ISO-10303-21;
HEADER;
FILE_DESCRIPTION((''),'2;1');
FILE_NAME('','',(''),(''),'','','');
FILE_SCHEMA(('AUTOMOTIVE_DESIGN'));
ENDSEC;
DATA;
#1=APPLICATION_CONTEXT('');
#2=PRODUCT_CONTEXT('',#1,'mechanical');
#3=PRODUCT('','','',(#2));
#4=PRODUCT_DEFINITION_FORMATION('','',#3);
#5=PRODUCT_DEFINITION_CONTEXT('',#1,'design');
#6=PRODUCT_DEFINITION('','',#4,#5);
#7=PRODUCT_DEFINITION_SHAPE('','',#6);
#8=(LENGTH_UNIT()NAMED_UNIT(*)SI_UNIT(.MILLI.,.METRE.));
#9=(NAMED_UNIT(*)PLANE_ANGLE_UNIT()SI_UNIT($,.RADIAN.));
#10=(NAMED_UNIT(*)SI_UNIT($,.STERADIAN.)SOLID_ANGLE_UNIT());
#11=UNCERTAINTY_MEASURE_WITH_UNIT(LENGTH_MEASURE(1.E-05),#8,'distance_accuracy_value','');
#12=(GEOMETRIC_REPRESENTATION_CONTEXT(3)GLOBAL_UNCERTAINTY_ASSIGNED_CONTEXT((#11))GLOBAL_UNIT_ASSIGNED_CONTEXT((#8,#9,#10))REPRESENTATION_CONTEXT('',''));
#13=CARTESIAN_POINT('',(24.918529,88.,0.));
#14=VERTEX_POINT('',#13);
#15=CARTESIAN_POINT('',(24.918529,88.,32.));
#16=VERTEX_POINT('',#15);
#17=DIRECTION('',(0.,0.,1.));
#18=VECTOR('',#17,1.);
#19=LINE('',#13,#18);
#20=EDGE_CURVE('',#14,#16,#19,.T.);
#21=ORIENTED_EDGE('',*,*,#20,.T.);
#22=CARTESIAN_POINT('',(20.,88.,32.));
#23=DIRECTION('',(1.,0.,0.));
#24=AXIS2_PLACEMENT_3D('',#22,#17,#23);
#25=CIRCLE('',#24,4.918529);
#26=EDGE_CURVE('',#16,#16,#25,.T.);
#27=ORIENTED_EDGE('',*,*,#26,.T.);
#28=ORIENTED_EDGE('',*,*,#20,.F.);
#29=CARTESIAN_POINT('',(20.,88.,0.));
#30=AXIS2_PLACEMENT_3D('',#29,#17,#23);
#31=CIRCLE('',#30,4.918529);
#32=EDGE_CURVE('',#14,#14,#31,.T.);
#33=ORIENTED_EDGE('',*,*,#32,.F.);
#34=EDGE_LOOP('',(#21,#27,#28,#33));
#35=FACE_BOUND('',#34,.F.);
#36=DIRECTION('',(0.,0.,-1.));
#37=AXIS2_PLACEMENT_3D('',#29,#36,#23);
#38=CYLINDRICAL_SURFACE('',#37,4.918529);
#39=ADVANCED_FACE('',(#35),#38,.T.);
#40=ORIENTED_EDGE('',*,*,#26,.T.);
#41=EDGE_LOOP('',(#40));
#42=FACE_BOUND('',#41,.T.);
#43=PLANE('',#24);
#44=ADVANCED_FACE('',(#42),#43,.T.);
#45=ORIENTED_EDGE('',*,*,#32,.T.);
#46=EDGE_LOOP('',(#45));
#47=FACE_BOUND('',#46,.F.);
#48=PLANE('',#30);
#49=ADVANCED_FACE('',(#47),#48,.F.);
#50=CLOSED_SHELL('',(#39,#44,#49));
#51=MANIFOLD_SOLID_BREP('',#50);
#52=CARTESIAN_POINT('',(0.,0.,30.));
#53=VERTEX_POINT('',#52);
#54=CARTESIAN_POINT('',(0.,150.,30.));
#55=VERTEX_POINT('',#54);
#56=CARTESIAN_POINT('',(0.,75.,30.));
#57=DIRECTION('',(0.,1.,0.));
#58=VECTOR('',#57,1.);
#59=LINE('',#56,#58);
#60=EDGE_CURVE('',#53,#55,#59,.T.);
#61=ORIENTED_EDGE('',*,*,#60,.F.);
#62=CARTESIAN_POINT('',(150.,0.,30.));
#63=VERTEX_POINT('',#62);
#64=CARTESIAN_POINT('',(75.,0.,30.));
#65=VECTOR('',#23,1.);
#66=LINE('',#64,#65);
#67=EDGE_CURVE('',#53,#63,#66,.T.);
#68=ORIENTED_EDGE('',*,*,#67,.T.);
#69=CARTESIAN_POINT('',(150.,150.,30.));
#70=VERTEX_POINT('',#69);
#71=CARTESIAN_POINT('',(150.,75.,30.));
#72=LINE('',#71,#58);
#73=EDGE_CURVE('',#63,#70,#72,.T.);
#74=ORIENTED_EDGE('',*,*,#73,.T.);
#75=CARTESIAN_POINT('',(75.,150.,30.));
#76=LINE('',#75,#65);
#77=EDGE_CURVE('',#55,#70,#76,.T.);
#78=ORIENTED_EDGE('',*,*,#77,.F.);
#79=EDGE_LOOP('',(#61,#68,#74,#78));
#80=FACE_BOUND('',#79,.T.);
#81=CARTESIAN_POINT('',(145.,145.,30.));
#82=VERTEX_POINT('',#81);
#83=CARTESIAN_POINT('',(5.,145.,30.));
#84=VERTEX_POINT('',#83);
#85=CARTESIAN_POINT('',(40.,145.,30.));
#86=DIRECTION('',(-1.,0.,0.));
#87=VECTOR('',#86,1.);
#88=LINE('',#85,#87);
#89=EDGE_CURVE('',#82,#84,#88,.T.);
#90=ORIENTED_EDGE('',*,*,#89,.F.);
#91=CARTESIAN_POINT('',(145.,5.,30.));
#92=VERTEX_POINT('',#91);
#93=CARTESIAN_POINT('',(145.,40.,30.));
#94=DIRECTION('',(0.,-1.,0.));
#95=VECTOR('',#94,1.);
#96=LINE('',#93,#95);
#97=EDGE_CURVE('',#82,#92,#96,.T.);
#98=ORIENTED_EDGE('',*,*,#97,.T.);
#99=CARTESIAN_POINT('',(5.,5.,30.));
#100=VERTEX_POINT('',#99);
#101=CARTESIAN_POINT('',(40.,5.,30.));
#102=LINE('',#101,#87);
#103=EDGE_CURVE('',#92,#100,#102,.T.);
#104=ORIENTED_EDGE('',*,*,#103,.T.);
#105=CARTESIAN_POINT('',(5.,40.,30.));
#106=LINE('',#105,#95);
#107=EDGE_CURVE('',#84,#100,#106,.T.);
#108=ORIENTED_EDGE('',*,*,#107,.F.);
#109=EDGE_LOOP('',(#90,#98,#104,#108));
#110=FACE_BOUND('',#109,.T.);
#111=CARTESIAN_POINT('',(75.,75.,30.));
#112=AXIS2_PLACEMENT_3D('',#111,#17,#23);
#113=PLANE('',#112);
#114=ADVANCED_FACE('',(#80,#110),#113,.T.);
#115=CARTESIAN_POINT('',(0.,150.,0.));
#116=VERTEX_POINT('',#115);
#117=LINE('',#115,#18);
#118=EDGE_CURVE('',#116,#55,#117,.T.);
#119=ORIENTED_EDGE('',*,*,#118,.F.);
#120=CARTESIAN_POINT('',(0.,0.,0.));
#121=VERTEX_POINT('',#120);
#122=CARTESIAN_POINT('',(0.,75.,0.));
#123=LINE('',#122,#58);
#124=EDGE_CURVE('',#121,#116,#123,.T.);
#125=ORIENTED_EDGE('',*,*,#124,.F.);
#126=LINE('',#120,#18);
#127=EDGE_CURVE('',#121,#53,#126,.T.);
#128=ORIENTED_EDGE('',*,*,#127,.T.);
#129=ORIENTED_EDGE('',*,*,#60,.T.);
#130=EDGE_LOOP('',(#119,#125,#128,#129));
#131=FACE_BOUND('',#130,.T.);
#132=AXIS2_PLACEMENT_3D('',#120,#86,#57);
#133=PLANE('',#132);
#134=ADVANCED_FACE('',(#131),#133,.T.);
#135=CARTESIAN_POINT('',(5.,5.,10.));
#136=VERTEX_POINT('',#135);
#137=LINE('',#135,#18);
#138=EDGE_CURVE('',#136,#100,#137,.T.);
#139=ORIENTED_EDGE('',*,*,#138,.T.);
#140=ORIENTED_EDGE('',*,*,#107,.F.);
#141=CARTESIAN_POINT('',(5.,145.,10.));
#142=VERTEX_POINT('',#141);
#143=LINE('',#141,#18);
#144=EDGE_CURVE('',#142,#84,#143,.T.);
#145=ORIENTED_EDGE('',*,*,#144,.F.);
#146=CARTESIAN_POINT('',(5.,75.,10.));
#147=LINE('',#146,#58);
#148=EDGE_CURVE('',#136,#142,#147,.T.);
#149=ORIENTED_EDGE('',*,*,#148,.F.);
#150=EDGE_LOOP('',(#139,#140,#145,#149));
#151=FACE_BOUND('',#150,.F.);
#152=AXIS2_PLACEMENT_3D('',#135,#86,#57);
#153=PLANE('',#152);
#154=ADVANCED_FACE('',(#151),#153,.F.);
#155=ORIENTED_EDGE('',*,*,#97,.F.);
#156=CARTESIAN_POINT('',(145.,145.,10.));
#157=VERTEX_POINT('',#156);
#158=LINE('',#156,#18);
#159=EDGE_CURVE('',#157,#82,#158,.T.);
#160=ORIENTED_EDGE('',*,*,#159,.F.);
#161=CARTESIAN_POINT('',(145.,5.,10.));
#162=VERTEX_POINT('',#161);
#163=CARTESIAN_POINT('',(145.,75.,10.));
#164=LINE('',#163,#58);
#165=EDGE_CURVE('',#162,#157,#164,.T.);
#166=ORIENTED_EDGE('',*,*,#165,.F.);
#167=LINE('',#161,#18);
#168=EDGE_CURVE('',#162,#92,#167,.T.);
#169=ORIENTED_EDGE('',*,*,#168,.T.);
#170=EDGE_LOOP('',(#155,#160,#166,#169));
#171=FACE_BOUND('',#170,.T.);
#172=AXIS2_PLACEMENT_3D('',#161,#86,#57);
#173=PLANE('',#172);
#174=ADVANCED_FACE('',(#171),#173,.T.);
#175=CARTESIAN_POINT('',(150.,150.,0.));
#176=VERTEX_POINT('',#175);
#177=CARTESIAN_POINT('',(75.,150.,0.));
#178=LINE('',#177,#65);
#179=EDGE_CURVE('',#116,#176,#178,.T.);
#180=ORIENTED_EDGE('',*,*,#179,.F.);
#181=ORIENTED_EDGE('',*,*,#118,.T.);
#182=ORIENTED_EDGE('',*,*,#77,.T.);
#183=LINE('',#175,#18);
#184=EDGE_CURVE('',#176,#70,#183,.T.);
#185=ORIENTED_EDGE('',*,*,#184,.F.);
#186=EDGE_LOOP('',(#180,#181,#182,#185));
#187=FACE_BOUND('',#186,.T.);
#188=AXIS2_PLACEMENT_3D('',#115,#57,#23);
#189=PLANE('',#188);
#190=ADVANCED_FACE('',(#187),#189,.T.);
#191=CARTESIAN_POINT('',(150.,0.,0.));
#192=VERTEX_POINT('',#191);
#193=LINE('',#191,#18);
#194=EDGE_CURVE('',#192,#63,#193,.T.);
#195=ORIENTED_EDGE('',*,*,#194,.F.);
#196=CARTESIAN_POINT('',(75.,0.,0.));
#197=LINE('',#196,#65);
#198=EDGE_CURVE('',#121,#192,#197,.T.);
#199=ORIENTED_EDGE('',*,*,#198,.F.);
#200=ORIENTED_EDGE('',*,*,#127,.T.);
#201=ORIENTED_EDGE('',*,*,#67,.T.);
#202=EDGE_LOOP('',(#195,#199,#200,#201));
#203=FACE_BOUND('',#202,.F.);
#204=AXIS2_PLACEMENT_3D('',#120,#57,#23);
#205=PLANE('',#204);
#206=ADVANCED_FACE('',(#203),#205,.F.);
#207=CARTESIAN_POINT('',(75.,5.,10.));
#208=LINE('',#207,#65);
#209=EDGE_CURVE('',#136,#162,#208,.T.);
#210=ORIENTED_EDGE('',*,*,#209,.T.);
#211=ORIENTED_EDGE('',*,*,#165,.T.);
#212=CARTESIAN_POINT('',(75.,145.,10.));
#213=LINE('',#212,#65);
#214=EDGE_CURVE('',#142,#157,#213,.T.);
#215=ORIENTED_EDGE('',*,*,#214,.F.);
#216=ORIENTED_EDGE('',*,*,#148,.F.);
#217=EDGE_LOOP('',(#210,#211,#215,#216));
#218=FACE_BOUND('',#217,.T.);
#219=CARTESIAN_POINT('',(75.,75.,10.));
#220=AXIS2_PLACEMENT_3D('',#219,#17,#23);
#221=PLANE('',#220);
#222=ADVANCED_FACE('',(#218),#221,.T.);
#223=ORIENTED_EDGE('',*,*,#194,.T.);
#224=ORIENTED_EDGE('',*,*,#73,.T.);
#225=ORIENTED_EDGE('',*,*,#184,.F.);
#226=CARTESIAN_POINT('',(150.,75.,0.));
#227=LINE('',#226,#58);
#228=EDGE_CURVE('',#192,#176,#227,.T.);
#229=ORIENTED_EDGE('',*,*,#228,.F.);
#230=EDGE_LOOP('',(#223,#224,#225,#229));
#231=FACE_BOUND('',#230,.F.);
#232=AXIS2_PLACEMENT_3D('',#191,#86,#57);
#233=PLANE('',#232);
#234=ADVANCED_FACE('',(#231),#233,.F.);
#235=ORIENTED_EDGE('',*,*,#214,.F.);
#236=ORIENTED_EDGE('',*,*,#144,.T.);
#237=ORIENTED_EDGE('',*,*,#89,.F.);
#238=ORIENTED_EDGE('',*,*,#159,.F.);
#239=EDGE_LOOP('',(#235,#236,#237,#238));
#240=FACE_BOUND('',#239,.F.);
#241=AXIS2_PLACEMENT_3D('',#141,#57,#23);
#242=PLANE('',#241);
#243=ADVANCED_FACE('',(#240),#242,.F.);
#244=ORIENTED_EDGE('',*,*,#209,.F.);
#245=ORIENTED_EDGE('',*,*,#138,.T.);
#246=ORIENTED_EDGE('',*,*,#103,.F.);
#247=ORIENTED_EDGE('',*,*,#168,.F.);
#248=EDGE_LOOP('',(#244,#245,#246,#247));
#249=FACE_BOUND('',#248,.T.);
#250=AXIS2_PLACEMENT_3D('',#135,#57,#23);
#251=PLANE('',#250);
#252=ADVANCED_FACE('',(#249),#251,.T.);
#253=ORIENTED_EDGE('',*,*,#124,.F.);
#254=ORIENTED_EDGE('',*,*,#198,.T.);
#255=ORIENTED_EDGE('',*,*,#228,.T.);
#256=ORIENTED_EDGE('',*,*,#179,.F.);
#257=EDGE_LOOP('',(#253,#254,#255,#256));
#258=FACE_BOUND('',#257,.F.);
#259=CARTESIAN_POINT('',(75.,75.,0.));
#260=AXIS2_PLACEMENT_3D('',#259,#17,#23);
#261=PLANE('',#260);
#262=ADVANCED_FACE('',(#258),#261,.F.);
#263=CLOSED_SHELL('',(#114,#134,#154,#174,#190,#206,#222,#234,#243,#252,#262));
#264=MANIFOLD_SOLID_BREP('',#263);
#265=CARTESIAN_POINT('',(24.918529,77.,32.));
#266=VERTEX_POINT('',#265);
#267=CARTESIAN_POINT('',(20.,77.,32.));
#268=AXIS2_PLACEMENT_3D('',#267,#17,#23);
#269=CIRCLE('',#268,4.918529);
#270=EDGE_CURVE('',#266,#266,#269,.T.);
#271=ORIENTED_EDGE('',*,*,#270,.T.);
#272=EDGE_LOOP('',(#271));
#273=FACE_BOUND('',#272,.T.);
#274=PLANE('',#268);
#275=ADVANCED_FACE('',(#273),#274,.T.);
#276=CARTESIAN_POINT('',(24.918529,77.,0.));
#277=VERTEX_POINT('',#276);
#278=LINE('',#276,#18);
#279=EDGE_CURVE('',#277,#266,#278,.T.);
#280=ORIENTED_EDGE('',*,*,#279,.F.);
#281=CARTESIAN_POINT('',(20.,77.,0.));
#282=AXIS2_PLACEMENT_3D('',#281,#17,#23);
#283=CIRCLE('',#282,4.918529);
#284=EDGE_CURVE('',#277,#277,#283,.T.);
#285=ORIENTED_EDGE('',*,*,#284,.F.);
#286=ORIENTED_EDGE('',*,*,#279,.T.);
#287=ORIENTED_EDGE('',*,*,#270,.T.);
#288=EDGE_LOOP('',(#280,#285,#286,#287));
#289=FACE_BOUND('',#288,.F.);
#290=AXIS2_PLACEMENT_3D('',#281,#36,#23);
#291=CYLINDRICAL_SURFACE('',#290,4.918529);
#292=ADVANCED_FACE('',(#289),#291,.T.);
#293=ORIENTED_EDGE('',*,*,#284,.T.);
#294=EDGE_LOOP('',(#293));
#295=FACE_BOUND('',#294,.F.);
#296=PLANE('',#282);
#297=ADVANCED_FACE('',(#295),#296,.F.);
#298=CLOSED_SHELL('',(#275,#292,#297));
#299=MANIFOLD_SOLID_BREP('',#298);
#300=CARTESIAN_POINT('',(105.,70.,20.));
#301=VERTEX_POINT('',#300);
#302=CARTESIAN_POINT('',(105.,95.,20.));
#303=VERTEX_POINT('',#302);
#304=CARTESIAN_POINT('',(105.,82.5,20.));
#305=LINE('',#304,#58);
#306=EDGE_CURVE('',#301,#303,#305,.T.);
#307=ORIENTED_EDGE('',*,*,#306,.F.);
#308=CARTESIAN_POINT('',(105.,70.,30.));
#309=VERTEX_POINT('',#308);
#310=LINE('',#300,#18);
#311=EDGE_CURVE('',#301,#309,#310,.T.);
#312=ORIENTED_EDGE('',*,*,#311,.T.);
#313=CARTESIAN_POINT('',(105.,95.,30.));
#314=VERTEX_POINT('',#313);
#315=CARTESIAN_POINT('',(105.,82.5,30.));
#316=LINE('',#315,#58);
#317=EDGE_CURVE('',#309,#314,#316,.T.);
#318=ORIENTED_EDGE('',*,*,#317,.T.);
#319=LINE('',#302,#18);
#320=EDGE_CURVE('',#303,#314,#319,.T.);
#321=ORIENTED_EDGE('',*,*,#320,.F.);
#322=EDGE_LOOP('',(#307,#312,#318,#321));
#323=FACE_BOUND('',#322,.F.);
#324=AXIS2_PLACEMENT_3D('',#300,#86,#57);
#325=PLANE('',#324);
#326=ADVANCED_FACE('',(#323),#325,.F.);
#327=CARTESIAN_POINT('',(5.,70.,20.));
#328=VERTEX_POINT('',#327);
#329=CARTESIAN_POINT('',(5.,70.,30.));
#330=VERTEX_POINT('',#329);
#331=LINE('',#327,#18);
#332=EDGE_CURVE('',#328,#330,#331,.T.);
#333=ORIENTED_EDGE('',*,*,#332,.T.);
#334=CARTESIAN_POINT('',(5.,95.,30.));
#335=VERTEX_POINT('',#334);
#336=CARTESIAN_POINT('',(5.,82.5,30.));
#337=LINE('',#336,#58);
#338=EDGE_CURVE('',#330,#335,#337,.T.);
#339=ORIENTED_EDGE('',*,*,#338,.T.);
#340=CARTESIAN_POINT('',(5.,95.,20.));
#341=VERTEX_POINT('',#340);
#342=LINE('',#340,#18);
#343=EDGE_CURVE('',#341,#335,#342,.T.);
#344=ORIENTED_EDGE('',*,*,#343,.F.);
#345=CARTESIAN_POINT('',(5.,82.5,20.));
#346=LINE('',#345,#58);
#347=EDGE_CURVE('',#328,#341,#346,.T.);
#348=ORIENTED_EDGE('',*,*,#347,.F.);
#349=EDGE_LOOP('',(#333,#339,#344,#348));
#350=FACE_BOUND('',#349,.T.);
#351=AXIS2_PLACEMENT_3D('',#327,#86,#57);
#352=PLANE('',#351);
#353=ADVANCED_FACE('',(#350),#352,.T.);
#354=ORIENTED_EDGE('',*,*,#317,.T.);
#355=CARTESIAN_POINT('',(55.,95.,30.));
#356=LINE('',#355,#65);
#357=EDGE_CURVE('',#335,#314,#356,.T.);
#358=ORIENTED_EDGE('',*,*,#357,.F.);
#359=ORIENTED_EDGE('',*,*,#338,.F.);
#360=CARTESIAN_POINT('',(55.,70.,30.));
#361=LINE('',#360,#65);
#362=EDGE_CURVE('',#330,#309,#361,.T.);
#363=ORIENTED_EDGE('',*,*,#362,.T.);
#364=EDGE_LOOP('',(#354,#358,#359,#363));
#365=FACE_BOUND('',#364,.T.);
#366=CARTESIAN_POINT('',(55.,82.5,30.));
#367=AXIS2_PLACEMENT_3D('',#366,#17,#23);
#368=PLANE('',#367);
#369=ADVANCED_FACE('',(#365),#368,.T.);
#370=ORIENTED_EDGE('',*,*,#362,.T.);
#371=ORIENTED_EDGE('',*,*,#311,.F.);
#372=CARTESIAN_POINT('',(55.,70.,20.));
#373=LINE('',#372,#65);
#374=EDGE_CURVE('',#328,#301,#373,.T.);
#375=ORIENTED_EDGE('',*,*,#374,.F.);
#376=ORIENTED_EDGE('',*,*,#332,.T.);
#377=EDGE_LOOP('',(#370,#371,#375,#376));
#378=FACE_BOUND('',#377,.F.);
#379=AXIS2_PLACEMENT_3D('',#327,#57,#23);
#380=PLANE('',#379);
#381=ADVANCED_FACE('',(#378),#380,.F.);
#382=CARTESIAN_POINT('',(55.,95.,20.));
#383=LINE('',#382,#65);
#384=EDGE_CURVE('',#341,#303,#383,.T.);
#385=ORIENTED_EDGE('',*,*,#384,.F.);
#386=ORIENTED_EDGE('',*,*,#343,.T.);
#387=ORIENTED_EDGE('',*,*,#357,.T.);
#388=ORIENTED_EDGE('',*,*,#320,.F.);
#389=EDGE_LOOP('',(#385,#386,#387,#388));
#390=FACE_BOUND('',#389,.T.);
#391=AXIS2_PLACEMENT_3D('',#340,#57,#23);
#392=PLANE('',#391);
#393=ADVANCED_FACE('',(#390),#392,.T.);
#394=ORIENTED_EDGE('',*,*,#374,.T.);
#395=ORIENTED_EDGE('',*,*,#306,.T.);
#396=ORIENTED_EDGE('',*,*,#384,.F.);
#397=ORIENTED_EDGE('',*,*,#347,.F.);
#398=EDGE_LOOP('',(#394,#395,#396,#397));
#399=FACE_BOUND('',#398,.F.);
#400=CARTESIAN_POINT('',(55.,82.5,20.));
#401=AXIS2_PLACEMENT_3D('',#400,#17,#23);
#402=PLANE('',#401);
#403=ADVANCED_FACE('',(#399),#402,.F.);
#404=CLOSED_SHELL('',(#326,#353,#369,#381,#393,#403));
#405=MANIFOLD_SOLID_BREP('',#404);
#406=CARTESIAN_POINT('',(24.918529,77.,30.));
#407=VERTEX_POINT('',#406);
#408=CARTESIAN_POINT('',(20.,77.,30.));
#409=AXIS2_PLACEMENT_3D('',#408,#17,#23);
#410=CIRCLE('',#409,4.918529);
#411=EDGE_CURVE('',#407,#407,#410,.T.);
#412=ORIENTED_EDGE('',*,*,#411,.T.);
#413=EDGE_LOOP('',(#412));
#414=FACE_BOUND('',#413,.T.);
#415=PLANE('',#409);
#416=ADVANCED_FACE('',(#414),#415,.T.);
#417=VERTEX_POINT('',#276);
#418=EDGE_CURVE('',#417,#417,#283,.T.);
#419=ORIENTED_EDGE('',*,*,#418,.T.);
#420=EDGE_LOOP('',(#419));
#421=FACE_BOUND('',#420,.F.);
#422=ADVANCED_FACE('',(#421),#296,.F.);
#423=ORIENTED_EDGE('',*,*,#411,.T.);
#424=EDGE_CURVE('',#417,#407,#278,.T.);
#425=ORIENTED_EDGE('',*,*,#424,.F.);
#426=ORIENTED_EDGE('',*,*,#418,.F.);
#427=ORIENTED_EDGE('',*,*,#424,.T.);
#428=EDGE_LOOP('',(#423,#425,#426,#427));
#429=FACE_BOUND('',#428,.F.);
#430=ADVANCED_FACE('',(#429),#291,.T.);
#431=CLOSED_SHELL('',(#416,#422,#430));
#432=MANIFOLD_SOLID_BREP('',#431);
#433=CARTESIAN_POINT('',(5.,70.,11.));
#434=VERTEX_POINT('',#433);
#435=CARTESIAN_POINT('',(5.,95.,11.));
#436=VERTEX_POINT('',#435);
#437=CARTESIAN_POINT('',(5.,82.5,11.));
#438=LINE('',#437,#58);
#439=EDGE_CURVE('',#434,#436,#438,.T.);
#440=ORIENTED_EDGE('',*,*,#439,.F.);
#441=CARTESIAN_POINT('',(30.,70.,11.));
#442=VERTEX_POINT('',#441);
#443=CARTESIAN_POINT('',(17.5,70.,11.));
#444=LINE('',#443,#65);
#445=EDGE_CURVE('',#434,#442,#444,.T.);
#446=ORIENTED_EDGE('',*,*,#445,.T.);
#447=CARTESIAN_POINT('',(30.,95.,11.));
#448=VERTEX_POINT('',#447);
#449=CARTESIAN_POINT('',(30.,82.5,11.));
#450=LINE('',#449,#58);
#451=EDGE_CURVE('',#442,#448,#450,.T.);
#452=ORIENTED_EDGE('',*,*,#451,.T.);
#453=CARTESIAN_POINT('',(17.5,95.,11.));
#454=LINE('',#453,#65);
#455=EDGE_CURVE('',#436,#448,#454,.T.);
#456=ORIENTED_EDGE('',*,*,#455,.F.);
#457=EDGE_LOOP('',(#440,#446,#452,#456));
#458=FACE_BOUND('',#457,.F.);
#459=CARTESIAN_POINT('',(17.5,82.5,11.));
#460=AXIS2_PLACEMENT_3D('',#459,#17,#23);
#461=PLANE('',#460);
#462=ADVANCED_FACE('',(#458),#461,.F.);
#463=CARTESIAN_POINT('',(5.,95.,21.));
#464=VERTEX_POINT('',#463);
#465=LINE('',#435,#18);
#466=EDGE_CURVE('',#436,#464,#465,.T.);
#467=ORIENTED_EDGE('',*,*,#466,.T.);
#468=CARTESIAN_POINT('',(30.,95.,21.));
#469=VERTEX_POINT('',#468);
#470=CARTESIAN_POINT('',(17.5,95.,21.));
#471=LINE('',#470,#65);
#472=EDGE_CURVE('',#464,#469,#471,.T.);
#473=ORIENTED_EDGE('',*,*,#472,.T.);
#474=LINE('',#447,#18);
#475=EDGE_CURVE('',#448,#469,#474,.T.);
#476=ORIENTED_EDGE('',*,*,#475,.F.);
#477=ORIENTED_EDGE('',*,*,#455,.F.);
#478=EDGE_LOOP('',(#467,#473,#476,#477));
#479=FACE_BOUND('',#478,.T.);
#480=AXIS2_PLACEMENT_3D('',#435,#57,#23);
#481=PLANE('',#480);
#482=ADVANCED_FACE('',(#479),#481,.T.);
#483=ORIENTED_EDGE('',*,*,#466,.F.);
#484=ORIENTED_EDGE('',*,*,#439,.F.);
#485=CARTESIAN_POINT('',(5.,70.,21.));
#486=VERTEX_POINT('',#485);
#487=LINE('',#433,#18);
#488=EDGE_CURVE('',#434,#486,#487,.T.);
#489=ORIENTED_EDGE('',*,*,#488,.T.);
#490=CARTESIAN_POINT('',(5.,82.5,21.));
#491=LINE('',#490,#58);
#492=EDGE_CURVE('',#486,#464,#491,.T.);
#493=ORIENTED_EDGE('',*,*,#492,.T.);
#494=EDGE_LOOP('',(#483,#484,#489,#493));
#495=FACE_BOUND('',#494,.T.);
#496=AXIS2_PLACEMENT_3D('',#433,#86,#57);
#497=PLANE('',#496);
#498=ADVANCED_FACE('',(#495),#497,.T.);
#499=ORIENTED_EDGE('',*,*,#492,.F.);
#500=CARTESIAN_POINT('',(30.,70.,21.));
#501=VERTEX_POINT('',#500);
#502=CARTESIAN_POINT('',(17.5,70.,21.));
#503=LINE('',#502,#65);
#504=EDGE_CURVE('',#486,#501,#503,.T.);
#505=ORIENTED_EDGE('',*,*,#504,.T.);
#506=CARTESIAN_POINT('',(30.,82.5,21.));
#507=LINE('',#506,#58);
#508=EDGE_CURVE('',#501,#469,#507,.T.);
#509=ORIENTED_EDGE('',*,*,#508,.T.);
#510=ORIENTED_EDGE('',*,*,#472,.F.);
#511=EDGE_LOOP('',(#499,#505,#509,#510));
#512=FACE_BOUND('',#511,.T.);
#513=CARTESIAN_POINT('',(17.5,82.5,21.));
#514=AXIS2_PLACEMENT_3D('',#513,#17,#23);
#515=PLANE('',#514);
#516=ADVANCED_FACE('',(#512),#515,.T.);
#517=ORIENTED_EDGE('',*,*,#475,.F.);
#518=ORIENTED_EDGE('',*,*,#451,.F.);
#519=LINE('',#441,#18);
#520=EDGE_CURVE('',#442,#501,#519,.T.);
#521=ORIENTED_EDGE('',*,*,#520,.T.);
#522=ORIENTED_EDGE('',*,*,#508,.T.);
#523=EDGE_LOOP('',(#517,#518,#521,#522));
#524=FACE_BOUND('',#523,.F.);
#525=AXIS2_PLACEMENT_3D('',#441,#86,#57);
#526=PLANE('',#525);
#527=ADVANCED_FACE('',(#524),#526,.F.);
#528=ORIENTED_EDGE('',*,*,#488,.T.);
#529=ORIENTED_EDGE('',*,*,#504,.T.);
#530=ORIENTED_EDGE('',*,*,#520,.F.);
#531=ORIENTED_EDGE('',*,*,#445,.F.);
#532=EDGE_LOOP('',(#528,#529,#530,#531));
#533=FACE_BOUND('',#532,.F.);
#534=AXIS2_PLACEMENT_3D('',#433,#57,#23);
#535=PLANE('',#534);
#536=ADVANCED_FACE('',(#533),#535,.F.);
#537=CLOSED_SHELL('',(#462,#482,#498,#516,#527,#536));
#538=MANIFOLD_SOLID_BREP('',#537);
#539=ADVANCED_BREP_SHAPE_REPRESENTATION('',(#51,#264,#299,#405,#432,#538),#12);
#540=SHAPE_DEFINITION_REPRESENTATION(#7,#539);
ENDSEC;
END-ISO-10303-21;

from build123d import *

# Parameters (mm, degrees)
RECTANGLE001_W   = 140
RECTANGLE001_H   = 140
EXTRUDE001_DEPTH = 50
RECTANGLE_W      = 150
RECTANGLE_H      = 150
EXTRUDE_DEPTH    = 30
RECTANGLE002_W   = 100
RECTANGLE002_H   = 25
EXTRUDE002_DEPTH = 10
RECTANGLE003_W   = 25
RECTANGLE003_H   = 25
EXTRUDE003_DEPTH = 10
CIRCLE_R         = 4.918529
EXTRUDE004_DEPTH = 30
EXTRUDE005_DEPTH = 32
CIRCLE001_R      = 4.918529
EXTRUDE006_DEPTH = 32


with BuildPart() as extrude001:
    # Rectangle001 → Extrude001 (new body)
    with BuildSketch(Plane(origin=(5, 5, 10), x_dir=(1, 0, 0), z_dir=(0, 0, 1))):
        with Locations((70, 70)):
            Rectangle(RECTANGLE001_W, RECTANGLE001_H)
    extrude(amount=EXTRUDE001_DEPTH)


with BuildPart() as cut:
    # Rectangle → Extrude (new body)
    with BuildSketch(Plane.XY):
        with Locations((75, 75)):
            Rectangle(RECTANGLE_W, RECTANGLE_H)
    extrude(amount=EXTRUDE_DEPTH)

    # Cut: cut Extrude001
    add(extrude001.part, mode=Mode.SUBTRACT)


with BuildPart() as extrude002:
    # Rectangle002 → Extrude002 (new body)
    with BuildSketch(Plane(origin=(5, 70, 20), x_dir=(1, 0, 0), z_dir=(0, 0, 1))):
        with Locations((50, 12.5)):
            Rectangle(RECTANGLE002_W, RECTANGLE002_H)
    extrude(amount=EXTRUDE002_DEPTH)


with BuildPart() as extrude003:
    # Rectangle003 → Extrude003 (new body)
    with BuildSketch(Plane(origin=(5, 70, 11), x_dir=(1, 0, 0), z_dir=(0, 0, 1))):
        with Locations((12.5, 12.5)):
            Rectangle(RECTANGLE003_W, RECTANGLE003_H)
    extrude(amount=EXTRUDE003_DEPTH)


with BuildPart() as extrude004:
    # Circle → Extrude004 (new body)
    with BuildSketch(Plane(origin=(20, 77, 0), x_dir=(1, 0, 0), z_dir=(0, 0, 1))):
        Circle(CIRCLE_R)
    extrude(amount=EXTRUDE004_DEPTH)


with BuildPart() as extrude005:
    # Circle → Extrude005 (new body)
    with BuildSketch(Plane(origin=(20, 77, 0), x_dir=(1, 0, 0), z_dir=(0, 0, 1))):
        Circle(CIRCLE_R)
    extrude(amount=EXTRUDE005_DEPTH)


with BuildPart() as extrude006:
    # Circle001 → Extrude006 (new body)
    with BuildSketch(Plane(origin=(20, 88, 0), x_dir=(1, 0, 0), z_dir=(0, 0, 1))):
        Circle(CIRCLE001_R)
    extrude(amount=EXTRUDE006_DEPTH)


solid = Compound([cut.part, extrude002.part, extrude003.part, extrude004.part, extrude005.part, extrude006.part])
